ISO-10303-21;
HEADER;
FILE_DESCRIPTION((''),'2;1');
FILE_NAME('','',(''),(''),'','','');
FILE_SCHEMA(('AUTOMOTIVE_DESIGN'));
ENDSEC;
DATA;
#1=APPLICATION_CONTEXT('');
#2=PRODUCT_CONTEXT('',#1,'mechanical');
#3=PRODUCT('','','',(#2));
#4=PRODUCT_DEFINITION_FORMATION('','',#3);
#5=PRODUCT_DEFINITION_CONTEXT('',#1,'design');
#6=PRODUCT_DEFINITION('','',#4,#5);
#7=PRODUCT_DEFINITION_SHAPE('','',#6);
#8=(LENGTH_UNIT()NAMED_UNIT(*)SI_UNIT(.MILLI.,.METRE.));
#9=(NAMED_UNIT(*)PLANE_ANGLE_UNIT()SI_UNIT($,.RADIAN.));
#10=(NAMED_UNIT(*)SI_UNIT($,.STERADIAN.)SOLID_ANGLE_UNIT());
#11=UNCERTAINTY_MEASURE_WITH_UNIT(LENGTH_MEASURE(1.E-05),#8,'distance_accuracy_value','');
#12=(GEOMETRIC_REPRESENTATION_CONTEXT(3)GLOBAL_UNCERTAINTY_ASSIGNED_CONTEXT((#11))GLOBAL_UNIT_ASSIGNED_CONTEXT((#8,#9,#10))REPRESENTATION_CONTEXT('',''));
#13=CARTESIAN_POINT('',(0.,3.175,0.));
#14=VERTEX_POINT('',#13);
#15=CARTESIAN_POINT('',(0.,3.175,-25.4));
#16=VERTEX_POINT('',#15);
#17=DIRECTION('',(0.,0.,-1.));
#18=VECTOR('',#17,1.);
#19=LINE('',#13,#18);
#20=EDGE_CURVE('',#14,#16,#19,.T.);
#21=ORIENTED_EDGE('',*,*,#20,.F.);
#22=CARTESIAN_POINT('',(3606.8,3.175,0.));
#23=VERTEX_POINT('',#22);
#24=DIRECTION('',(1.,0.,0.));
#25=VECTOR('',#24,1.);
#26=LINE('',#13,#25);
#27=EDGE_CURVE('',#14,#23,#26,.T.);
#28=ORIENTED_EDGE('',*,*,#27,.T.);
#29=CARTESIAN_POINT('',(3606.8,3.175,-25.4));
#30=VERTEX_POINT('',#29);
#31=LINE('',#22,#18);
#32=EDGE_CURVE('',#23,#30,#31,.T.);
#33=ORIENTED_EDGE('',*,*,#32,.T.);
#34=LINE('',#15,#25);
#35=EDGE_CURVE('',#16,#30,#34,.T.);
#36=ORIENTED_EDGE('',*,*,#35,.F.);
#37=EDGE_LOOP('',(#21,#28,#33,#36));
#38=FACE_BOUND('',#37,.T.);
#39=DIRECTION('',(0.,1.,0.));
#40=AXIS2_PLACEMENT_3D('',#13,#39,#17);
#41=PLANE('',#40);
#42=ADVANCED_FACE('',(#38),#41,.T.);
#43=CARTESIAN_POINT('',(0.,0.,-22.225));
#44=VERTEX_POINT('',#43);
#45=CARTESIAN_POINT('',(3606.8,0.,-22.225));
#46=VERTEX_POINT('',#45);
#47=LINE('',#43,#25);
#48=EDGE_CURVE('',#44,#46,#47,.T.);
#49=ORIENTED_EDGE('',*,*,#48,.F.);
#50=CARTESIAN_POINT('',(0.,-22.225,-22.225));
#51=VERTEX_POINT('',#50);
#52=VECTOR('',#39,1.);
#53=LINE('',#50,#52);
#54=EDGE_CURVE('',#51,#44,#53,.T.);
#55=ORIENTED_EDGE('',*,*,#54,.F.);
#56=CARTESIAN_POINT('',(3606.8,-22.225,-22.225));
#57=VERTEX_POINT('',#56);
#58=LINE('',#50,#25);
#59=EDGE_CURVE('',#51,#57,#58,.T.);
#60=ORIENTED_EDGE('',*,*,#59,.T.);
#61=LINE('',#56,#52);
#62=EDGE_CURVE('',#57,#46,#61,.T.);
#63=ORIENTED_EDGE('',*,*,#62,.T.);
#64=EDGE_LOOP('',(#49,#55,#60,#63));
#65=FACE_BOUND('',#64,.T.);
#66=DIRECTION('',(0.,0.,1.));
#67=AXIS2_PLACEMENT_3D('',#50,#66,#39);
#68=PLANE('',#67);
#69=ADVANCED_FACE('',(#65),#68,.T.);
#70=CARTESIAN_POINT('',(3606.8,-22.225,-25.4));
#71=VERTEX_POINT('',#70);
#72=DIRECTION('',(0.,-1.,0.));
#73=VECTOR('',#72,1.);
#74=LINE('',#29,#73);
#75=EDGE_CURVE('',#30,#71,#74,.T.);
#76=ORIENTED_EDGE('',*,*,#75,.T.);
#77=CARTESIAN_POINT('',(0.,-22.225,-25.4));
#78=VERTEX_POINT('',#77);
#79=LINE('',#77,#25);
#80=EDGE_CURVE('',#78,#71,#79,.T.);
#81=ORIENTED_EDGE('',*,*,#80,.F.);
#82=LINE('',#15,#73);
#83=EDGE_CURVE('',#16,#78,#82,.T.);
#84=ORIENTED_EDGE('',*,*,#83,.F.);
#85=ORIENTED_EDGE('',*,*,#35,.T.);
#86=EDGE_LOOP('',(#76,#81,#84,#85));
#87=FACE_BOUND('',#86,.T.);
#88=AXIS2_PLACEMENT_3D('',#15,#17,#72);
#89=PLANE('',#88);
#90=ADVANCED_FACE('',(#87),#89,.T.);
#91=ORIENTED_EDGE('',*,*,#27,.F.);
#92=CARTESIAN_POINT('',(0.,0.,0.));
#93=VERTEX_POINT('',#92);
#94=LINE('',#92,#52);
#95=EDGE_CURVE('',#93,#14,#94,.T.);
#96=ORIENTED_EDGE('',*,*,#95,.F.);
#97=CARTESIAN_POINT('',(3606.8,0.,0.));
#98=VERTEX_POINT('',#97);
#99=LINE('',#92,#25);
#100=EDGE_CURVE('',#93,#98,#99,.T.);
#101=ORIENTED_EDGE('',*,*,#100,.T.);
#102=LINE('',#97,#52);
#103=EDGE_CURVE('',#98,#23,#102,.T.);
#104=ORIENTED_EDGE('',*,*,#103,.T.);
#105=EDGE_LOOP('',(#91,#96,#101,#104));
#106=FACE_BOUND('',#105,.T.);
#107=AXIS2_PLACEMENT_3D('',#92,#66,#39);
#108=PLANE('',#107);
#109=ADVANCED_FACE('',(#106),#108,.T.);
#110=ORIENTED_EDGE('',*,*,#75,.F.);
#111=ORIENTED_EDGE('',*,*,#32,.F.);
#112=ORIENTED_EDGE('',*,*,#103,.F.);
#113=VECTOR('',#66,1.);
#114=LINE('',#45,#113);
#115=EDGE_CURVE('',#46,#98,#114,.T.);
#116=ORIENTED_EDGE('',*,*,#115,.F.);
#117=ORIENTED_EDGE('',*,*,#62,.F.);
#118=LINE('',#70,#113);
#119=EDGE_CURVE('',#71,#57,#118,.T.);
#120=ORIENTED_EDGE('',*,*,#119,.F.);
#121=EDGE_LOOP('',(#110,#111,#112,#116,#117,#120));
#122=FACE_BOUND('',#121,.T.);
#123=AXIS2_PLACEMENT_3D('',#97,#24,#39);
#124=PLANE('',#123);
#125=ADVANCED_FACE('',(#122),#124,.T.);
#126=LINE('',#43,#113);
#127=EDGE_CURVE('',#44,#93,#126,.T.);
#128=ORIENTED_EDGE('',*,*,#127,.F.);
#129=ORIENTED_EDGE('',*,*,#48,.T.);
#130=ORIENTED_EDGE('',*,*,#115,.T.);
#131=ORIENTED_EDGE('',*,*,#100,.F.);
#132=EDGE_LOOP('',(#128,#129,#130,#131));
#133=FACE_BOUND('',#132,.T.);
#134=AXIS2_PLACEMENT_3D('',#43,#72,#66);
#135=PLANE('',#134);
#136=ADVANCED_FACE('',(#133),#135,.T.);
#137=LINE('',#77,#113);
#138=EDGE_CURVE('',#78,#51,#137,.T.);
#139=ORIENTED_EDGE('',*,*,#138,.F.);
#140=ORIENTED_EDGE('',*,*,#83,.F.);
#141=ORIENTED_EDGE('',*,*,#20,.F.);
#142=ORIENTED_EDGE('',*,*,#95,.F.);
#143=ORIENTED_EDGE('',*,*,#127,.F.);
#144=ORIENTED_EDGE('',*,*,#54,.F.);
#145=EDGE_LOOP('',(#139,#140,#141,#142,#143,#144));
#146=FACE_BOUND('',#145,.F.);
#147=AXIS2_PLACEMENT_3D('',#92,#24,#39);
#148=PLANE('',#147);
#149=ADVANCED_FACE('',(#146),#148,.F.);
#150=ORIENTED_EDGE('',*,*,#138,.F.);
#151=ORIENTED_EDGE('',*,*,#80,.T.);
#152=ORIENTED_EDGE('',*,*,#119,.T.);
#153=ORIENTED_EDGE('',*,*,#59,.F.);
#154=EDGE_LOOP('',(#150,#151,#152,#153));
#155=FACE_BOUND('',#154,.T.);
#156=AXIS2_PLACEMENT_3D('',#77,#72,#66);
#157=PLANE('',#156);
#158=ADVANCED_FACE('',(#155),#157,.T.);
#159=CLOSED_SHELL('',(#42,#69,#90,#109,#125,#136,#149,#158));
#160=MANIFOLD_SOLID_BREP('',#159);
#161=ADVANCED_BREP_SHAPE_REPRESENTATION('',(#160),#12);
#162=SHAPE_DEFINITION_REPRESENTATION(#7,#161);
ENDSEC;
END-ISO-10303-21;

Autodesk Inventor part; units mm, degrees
ref_plane "YZ Plane" through (0, 0, 0) normal (1, 0, 0) x (0, 1, 0)
ref_plane "XZ Plane" through (0, 0, 0) normal (0, 1, 0) x (-1, 0, 0)
ref_plane "XY Plane" through (0, 0, 0) normal (0, 0, 1) x (1, 0, 0)
sketch "Sketch1" plane through (0, 0, 0) normal (1, 0, 0) x (0, 1, 0)
  line L0 (0, 0) -> (3.175, 0)
  line L1 (3.175, 0) -> (3.175, -25.4)
  line L2 (3.175, -25.4) -> (-22.225, -25.4)
  line L3 (-22.225, -25.4) -> (-22.225, -22.225)
  line L4 (-22.225, -22.225) -> (0, -22.225)
  line L5 (0, -22.225) -> (0, 0)
  dimension "d0" = 3.175
  dimension "d1" = 3.175
  dimension "d2" = 25.4
  dimension "d3" = 25.4
extrude "Extrusion1" add sketch "Sketch1" along normal blind 3606.8
equation "\"wallThick\" = 44.45"
equation "\"roomWidth\" = 3048"
equation "\"roomDepth\" = 3657.6"
equation "\"roomHeight\" = 2438.4"
equation "\"doorWidth\" = 895.35"
equation "\"doorHeight\" = 2108.2"
equation "\"doorX\" = 774.7"
equation "\"doorY\" = 88.9"
equation "\"doorLip\" = 76.2"
equation "\"doorThick\" = 57.15"
equation "\"tubeD\" = 19.05"
equation "\"tubeTurnR\" = 76.2"
properties part number "gusset_plate_leftRight"
